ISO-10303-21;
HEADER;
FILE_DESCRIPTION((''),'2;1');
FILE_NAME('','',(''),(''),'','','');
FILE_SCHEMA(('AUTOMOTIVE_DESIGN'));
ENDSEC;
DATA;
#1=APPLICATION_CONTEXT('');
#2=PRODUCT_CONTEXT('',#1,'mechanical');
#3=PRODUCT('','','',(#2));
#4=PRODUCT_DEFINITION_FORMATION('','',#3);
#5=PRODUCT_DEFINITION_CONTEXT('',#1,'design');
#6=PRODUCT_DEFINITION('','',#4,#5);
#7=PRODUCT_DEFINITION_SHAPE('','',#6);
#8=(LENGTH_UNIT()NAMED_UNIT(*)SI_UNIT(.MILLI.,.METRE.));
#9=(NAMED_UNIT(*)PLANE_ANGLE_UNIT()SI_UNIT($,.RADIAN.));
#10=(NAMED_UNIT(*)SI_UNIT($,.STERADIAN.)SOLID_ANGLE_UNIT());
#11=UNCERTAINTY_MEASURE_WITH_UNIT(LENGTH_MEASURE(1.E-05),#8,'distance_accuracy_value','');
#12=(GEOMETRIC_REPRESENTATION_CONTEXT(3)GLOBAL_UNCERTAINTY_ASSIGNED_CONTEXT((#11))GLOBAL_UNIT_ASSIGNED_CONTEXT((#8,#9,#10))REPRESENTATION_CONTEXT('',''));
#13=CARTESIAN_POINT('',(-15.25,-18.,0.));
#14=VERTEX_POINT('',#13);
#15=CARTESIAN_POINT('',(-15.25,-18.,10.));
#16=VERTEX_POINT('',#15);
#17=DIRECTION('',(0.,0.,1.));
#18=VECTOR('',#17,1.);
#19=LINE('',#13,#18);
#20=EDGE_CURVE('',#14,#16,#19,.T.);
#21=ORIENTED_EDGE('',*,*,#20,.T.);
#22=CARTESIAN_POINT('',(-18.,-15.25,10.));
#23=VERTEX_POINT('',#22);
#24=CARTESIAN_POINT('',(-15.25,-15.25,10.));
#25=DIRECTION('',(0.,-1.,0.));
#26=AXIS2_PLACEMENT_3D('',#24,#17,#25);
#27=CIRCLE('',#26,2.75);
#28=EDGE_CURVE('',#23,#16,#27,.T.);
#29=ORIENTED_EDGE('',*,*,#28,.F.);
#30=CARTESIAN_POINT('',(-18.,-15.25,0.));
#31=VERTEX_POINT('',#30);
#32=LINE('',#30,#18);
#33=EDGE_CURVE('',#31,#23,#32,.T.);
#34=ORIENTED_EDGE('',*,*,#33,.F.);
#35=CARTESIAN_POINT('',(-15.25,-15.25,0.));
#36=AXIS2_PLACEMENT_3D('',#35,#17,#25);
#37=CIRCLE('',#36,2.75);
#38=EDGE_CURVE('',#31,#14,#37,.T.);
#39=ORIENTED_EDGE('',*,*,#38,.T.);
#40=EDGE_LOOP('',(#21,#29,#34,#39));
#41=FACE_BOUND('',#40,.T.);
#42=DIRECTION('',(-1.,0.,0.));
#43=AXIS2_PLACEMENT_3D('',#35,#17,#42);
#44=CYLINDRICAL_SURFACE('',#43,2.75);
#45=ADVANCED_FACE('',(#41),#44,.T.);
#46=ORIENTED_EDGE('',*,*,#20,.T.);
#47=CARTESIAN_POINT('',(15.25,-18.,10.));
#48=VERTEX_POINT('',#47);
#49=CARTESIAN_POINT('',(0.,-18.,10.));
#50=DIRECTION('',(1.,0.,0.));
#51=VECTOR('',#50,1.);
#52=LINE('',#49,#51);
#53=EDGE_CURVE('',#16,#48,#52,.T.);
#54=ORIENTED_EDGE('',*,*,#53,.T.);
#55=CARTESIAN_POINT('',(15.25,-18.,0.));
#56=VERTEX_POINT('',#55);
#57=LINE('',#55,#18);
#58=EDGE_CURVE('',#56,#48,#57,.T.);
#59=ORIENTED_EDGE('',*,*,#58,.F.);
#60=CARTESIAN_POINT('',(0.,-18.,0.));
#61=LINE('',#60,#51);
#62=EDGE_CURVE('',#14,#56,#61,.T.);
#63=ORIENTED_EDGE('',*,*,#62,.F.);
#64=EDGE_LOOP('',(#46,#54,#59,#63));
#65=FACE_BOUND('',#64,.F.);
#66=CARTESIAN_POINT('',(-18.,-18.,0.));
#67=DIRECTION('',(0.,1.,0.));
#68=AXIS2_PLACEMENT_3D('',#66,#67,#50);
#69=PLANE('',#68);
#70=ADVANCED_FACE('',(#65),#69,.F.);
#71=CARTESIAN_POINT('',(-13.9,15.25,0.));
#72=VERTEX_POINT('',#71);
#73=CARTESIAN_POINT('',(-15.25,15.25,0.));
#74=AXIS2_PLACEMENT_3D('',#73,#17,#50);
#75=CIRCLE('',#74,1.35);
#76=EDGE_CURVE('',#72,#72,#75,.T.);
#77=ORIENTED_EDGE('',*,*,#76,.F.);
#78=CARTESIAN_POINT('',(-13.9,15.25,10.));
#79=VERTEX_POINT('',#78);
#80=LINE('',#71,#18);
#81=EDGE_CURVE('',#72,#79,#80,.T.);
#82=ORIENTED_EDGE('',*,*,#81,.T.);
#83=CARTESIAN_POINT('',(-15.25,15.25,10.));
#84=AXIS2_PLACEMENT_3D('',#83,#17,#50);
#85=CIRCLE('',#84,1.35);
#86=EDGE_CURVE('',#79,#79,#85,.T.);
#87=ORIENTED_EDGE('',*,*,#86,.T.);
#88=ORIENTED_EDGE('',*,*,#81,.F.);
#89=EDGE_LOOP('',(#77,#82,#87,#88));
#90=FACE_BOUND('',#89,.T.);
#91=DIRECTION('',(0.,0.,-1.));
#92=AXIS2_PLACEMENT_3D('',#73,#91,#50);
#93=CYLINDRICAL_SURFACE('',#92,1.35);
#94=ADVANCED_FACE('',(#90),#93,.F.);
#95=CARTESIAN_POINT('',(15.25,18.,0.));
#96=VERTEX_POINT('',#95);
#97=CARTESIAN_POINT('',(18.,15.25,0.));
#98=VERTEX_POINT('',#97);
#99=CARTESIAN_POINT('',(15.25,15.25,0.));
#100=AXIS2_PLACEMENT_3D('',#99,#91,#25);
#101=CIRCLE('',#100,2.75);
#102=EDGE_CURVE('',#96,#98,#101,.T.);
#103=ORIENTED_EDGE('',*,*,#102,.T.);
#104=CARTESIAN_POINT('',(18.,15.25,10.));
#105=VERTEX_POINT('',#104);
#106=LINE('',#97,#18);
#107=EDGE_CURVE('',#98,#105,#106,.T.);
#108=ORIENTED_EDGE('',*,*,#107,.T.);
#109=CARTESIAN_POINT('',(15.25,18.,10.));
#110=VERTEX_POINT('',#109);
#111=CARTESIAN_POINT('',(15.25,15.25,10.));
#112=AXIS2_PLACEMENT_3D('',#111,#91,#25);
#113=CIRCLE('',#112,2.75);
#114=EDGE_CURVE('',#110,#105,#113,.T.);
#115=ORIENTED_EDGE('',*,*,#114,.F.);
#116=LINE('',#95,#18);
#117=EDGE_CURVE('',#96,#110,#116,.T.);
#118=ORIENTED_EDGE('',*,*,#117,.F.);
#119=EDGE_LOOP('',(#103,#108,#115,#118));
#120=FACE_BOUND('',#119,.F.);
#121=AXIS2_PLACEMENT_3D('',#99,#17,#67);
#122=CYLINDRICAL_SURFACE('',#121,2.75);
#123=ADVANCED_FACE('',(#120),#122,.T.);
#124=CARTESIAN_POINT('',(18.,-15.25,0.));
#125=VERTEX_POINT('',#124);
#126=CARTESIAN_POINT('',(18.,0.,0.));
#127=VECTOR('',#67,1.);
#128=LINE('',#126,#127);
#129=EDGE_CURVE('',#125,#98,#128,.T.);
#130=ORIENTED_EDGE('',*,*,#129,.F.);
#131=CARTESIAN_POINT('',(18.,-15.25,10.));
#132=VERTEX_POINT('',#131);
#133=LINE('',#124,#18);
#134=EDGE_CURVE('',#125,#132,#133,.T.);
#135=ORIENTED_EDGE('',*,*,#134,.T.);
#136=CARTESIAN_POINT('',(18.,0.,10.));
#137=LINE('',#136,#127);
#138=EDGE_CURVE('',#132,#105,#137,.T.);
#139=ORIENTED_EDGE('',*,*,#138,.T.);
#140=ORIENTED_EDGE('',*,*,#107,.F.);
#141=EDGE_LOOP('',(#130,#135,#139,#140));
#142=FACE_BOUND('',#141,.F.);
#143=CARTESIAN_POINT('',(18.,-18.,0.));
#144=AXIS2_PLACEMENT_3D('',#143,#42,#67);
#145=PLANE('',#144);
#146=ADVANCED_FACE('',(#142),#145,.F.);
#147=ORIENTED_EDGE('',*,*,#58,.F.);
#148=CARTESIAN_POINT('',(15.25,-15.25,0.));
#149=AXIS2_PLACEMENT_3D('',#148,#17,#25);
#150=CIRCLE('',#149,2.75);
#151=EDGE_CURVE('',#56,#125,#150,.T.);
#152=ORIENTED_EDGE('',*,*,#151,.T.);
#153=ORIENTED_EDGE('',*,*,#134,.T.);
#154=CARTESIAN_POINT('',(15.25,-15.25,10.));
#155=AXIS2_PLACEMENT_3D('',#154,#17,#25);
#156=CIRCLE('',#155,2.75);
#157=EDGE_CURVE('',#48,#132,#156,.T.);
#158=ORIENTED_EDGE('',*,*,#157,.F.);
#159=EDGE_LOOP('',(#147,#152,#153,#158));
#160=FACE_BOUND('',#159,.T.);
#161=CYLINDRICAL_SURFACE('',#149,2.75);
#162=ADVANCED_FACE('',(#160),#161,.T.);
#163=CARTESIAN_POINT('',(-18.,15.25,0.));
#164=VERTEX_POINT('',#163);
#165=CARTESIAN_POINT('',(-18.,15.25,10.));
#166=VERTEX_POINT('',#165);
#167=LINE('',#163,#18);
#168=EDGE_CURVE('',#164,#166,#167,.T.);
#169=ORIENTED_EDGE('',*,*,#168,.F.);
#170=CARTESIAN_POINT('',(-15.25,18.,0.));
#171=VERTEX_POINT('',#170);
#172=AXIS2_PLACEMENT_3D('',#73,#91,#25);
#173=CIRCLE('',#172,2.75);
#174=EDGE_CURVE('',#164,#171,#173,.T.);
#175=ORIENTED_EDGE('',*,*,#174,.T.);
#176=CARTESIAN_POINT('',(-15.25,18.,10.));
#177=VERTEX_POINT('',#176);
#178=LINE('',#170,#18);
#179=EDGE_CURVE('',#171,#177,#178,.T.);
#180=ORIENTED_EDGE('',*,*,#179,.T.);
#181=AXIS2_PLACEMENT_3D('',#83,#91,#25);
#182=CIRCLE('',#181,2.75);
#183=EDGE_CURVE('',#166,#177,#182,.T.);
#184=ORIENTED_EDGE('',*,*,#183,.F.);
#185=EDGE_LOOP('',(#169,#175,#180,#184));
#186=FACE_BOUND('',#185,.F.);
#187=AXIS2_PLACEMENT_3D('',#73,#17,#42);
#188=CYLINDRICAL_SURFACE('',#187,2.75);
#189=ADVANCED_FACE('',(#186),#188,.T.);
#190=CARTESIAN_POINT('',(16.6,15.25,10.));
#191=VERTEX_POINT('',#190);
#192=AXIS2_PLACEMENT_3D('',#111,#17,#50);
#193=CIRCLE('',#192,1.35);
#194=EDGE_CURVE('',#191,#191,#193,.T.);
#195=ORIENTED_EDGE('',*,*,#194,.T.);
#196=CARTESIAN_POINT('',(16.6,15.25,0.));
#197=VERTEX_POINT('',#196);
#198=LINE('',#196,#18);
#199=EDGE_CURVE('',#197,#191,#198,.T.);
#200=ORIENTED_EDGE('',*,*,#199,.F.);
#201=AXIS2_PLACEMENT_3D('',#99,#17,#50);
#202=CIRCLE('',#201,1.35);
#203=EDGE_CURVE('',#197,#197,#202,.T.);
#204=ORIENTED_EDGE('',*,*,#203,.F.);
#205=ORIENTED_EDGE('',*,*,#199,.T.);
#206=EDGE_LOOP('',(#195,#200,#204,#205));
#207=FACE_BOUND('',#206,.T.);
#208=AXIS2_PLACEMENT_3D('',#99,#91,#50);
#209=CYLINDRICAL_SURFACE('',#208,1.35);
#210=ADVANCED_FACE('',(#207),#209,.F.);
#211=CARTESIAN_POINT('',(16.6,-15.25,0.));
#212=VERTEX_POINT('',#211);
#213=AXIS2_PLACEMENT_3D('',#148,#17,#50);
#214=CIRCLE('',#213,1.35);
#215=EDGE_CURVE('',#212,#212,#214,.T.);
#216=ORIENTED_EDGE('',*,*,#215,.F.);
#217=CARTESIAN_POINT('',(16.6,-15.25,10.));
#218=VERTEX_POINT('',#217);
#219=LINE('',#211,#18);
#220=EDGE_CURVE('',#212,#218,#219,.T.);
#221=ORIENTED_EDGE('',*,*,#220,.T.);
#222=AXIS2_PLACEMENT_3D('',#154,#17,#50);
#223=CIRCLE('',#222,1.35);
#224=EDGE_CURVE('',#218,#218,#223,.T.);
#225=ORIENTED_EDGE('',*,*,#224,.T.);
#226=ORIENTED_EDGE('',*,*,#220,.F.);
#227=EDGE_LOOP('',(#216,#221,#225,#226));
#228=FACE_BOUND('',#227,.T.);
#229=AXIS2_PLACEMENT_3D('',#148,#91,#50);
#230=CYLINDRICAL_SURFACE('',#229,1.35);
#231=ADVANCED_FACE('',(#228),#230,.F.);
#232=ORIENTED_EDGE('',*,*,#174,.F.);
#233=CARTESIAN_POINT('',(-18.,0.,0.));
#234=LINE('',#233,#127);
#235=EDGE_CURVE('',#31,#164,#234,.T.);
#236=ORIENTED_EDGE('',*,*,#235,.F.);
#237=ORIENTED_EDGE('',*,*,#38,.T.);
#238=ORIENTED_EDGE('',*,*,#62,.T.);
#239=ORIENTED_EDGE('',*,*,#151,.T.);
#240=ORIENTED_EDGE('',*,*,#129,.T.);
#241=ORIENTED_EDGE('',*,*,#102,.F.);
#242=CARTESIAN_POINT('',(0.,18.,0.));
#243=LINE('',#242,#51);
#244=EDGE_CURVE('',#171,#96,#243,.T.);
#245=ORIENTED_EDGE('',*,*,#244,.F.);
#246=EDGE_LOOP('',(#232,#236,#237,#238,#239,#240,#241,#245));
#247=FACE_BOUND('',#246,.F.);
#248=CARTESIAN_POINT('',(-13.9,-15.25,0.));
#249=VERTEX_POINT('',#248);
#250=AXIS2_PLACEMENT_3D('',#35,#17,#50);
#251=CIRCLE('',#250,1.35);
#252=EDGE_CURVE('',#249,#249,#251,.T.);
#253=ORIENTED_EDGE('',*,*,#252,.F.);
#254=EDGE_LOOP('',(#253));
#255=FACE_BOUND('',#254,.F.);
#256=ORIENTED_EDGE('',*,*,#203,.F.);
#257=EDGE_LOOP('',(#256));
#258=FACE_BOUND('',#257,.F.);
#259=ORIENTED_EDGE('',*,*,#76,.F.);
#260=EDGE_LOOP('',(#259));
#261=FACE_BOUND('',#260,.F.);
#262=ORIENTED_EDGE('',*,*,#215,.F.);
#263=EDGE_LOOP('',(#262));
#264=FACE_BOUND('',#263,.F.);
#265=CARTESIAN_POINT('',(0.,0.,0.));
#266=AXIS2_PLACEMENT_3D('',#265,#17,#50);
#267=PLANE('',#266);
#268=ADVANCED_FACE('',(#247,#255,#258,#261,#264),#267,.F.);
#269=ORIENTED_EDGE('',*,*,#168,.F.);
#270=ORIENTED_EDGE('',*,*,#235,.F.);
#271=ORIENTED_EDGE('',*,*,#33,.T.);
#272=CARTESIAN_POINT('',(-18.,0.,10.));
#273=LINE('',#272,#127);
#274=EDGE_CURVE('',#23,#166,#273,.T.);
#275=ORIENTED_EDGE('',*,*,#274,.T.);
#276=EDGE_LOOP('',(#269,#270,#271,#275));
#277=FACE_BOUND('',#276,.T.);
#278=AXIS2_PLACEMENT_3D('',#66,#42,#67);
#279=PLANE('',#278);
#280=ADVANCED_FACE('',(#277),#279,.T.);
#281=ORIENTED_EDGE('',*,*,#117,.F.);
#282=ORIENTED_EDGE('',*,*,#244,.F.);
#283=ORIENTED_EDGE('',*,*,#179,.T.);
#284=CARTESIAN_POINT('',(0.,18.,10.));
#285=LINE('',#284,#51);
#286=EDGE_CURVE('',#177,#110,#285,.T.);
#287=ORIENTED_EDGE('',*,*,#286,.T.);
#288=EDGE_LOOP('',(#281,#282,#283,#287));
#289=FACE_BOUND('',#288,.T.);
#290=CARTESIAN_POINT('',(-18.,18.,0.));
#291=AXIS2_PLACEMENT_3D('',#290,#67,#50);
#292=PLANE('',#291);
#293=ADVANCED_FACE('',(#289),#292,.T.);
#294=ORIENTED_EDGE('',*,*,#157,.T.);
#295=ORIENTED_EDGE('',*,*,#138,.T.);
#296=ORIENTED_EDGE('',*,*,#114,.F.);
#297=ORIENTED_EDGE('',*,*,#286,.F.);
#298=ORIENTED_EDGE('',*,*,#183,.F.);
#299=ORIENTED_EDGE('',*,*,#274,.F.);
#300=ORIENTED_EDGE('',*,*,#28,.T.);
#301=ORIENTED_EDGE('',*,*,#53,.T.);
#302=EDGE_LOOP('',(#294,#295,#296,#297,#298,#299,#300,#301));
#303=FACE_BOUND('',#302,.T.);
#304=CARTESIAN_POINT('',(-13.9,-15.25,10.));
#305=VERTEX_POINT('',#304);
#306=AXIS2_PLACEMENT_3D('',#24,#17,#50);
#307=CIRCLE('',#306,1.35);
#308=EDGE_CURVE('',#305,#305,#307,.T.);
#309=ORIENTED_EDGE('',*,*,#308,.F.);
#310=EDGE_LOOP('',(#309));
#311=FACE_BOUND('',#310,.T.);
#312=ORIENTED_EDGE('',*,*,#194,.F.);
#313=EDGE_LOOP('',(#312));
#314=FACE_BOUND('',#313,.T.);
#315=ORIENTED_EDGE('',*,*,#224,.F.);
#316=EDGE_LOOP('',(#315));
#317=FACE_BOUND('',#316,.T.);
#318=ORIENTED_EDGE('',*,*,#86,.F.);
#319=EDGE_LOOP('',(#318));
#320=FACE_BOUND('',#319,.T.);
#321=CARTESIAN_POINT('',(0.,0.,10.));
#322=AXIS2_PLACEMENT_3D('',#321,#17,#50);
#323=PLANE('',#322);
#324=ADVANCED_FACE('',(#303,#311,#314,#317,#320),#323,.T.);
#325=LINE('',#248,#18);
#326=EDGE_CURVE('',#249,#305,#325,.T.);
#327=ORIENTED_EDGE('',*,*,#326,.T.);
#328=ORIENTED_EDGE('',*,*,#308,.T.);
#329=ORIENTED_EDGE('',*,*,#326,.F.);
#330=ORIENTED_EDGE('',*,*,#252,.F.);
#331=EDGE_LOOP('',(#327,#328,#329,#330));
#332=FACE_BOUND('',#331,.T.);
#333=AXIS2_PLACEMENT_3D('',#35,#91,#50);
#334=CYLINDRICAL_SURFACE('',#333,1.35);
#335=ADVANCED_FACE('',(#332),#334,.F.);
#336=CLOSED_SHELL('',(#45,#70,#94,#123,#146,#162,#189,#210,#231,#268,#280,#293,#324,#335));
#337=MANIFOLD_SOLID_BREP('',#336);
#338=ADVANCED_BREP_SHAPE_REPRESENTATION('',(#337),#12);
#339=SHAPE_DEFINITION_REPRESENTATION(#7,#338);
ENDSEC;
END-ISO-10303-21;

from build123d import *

# Parameters (mm, degrees)
F0_W     = 36
F0_H     = 36
F0_R     = 1.35
F1_DEPTH = 10
F2_R     = 2.75


with BuildPart() as f1:
    # F0 (on Top) → F1 (new body)
    with BuildSketch(Plane.XY):
        Rectangle(F0_W, F0_H)
        with Locations((-15.25, -15.25)):
            Circle(F0_R, mode=Mode.SUBTRACT)
        with Locations((15.25, -15.25)):
            Circle(F0_R, mode=Mode.SUBTRACT)
        with Locations((-15.25, 15.25)):
            Circle(F0_R, mode=Mode.SUBTRACT)
        with Locations((15.25, 15.25)):
            Circle(F0_R, mode=Mode.SUBTRACT)
    extrude(amount=F1_DEPTH)

    # F2
    f2_edges = [f1.edges().sort_by_distance(p)[0] for p in [
        (-18, 18, 5),
        (18, 18, 5),
        (18, -18, 5),
        (-18, -18, 5),
    ]]
    fillet(f2_edges, radius=F2_R)


solid = f1.part
